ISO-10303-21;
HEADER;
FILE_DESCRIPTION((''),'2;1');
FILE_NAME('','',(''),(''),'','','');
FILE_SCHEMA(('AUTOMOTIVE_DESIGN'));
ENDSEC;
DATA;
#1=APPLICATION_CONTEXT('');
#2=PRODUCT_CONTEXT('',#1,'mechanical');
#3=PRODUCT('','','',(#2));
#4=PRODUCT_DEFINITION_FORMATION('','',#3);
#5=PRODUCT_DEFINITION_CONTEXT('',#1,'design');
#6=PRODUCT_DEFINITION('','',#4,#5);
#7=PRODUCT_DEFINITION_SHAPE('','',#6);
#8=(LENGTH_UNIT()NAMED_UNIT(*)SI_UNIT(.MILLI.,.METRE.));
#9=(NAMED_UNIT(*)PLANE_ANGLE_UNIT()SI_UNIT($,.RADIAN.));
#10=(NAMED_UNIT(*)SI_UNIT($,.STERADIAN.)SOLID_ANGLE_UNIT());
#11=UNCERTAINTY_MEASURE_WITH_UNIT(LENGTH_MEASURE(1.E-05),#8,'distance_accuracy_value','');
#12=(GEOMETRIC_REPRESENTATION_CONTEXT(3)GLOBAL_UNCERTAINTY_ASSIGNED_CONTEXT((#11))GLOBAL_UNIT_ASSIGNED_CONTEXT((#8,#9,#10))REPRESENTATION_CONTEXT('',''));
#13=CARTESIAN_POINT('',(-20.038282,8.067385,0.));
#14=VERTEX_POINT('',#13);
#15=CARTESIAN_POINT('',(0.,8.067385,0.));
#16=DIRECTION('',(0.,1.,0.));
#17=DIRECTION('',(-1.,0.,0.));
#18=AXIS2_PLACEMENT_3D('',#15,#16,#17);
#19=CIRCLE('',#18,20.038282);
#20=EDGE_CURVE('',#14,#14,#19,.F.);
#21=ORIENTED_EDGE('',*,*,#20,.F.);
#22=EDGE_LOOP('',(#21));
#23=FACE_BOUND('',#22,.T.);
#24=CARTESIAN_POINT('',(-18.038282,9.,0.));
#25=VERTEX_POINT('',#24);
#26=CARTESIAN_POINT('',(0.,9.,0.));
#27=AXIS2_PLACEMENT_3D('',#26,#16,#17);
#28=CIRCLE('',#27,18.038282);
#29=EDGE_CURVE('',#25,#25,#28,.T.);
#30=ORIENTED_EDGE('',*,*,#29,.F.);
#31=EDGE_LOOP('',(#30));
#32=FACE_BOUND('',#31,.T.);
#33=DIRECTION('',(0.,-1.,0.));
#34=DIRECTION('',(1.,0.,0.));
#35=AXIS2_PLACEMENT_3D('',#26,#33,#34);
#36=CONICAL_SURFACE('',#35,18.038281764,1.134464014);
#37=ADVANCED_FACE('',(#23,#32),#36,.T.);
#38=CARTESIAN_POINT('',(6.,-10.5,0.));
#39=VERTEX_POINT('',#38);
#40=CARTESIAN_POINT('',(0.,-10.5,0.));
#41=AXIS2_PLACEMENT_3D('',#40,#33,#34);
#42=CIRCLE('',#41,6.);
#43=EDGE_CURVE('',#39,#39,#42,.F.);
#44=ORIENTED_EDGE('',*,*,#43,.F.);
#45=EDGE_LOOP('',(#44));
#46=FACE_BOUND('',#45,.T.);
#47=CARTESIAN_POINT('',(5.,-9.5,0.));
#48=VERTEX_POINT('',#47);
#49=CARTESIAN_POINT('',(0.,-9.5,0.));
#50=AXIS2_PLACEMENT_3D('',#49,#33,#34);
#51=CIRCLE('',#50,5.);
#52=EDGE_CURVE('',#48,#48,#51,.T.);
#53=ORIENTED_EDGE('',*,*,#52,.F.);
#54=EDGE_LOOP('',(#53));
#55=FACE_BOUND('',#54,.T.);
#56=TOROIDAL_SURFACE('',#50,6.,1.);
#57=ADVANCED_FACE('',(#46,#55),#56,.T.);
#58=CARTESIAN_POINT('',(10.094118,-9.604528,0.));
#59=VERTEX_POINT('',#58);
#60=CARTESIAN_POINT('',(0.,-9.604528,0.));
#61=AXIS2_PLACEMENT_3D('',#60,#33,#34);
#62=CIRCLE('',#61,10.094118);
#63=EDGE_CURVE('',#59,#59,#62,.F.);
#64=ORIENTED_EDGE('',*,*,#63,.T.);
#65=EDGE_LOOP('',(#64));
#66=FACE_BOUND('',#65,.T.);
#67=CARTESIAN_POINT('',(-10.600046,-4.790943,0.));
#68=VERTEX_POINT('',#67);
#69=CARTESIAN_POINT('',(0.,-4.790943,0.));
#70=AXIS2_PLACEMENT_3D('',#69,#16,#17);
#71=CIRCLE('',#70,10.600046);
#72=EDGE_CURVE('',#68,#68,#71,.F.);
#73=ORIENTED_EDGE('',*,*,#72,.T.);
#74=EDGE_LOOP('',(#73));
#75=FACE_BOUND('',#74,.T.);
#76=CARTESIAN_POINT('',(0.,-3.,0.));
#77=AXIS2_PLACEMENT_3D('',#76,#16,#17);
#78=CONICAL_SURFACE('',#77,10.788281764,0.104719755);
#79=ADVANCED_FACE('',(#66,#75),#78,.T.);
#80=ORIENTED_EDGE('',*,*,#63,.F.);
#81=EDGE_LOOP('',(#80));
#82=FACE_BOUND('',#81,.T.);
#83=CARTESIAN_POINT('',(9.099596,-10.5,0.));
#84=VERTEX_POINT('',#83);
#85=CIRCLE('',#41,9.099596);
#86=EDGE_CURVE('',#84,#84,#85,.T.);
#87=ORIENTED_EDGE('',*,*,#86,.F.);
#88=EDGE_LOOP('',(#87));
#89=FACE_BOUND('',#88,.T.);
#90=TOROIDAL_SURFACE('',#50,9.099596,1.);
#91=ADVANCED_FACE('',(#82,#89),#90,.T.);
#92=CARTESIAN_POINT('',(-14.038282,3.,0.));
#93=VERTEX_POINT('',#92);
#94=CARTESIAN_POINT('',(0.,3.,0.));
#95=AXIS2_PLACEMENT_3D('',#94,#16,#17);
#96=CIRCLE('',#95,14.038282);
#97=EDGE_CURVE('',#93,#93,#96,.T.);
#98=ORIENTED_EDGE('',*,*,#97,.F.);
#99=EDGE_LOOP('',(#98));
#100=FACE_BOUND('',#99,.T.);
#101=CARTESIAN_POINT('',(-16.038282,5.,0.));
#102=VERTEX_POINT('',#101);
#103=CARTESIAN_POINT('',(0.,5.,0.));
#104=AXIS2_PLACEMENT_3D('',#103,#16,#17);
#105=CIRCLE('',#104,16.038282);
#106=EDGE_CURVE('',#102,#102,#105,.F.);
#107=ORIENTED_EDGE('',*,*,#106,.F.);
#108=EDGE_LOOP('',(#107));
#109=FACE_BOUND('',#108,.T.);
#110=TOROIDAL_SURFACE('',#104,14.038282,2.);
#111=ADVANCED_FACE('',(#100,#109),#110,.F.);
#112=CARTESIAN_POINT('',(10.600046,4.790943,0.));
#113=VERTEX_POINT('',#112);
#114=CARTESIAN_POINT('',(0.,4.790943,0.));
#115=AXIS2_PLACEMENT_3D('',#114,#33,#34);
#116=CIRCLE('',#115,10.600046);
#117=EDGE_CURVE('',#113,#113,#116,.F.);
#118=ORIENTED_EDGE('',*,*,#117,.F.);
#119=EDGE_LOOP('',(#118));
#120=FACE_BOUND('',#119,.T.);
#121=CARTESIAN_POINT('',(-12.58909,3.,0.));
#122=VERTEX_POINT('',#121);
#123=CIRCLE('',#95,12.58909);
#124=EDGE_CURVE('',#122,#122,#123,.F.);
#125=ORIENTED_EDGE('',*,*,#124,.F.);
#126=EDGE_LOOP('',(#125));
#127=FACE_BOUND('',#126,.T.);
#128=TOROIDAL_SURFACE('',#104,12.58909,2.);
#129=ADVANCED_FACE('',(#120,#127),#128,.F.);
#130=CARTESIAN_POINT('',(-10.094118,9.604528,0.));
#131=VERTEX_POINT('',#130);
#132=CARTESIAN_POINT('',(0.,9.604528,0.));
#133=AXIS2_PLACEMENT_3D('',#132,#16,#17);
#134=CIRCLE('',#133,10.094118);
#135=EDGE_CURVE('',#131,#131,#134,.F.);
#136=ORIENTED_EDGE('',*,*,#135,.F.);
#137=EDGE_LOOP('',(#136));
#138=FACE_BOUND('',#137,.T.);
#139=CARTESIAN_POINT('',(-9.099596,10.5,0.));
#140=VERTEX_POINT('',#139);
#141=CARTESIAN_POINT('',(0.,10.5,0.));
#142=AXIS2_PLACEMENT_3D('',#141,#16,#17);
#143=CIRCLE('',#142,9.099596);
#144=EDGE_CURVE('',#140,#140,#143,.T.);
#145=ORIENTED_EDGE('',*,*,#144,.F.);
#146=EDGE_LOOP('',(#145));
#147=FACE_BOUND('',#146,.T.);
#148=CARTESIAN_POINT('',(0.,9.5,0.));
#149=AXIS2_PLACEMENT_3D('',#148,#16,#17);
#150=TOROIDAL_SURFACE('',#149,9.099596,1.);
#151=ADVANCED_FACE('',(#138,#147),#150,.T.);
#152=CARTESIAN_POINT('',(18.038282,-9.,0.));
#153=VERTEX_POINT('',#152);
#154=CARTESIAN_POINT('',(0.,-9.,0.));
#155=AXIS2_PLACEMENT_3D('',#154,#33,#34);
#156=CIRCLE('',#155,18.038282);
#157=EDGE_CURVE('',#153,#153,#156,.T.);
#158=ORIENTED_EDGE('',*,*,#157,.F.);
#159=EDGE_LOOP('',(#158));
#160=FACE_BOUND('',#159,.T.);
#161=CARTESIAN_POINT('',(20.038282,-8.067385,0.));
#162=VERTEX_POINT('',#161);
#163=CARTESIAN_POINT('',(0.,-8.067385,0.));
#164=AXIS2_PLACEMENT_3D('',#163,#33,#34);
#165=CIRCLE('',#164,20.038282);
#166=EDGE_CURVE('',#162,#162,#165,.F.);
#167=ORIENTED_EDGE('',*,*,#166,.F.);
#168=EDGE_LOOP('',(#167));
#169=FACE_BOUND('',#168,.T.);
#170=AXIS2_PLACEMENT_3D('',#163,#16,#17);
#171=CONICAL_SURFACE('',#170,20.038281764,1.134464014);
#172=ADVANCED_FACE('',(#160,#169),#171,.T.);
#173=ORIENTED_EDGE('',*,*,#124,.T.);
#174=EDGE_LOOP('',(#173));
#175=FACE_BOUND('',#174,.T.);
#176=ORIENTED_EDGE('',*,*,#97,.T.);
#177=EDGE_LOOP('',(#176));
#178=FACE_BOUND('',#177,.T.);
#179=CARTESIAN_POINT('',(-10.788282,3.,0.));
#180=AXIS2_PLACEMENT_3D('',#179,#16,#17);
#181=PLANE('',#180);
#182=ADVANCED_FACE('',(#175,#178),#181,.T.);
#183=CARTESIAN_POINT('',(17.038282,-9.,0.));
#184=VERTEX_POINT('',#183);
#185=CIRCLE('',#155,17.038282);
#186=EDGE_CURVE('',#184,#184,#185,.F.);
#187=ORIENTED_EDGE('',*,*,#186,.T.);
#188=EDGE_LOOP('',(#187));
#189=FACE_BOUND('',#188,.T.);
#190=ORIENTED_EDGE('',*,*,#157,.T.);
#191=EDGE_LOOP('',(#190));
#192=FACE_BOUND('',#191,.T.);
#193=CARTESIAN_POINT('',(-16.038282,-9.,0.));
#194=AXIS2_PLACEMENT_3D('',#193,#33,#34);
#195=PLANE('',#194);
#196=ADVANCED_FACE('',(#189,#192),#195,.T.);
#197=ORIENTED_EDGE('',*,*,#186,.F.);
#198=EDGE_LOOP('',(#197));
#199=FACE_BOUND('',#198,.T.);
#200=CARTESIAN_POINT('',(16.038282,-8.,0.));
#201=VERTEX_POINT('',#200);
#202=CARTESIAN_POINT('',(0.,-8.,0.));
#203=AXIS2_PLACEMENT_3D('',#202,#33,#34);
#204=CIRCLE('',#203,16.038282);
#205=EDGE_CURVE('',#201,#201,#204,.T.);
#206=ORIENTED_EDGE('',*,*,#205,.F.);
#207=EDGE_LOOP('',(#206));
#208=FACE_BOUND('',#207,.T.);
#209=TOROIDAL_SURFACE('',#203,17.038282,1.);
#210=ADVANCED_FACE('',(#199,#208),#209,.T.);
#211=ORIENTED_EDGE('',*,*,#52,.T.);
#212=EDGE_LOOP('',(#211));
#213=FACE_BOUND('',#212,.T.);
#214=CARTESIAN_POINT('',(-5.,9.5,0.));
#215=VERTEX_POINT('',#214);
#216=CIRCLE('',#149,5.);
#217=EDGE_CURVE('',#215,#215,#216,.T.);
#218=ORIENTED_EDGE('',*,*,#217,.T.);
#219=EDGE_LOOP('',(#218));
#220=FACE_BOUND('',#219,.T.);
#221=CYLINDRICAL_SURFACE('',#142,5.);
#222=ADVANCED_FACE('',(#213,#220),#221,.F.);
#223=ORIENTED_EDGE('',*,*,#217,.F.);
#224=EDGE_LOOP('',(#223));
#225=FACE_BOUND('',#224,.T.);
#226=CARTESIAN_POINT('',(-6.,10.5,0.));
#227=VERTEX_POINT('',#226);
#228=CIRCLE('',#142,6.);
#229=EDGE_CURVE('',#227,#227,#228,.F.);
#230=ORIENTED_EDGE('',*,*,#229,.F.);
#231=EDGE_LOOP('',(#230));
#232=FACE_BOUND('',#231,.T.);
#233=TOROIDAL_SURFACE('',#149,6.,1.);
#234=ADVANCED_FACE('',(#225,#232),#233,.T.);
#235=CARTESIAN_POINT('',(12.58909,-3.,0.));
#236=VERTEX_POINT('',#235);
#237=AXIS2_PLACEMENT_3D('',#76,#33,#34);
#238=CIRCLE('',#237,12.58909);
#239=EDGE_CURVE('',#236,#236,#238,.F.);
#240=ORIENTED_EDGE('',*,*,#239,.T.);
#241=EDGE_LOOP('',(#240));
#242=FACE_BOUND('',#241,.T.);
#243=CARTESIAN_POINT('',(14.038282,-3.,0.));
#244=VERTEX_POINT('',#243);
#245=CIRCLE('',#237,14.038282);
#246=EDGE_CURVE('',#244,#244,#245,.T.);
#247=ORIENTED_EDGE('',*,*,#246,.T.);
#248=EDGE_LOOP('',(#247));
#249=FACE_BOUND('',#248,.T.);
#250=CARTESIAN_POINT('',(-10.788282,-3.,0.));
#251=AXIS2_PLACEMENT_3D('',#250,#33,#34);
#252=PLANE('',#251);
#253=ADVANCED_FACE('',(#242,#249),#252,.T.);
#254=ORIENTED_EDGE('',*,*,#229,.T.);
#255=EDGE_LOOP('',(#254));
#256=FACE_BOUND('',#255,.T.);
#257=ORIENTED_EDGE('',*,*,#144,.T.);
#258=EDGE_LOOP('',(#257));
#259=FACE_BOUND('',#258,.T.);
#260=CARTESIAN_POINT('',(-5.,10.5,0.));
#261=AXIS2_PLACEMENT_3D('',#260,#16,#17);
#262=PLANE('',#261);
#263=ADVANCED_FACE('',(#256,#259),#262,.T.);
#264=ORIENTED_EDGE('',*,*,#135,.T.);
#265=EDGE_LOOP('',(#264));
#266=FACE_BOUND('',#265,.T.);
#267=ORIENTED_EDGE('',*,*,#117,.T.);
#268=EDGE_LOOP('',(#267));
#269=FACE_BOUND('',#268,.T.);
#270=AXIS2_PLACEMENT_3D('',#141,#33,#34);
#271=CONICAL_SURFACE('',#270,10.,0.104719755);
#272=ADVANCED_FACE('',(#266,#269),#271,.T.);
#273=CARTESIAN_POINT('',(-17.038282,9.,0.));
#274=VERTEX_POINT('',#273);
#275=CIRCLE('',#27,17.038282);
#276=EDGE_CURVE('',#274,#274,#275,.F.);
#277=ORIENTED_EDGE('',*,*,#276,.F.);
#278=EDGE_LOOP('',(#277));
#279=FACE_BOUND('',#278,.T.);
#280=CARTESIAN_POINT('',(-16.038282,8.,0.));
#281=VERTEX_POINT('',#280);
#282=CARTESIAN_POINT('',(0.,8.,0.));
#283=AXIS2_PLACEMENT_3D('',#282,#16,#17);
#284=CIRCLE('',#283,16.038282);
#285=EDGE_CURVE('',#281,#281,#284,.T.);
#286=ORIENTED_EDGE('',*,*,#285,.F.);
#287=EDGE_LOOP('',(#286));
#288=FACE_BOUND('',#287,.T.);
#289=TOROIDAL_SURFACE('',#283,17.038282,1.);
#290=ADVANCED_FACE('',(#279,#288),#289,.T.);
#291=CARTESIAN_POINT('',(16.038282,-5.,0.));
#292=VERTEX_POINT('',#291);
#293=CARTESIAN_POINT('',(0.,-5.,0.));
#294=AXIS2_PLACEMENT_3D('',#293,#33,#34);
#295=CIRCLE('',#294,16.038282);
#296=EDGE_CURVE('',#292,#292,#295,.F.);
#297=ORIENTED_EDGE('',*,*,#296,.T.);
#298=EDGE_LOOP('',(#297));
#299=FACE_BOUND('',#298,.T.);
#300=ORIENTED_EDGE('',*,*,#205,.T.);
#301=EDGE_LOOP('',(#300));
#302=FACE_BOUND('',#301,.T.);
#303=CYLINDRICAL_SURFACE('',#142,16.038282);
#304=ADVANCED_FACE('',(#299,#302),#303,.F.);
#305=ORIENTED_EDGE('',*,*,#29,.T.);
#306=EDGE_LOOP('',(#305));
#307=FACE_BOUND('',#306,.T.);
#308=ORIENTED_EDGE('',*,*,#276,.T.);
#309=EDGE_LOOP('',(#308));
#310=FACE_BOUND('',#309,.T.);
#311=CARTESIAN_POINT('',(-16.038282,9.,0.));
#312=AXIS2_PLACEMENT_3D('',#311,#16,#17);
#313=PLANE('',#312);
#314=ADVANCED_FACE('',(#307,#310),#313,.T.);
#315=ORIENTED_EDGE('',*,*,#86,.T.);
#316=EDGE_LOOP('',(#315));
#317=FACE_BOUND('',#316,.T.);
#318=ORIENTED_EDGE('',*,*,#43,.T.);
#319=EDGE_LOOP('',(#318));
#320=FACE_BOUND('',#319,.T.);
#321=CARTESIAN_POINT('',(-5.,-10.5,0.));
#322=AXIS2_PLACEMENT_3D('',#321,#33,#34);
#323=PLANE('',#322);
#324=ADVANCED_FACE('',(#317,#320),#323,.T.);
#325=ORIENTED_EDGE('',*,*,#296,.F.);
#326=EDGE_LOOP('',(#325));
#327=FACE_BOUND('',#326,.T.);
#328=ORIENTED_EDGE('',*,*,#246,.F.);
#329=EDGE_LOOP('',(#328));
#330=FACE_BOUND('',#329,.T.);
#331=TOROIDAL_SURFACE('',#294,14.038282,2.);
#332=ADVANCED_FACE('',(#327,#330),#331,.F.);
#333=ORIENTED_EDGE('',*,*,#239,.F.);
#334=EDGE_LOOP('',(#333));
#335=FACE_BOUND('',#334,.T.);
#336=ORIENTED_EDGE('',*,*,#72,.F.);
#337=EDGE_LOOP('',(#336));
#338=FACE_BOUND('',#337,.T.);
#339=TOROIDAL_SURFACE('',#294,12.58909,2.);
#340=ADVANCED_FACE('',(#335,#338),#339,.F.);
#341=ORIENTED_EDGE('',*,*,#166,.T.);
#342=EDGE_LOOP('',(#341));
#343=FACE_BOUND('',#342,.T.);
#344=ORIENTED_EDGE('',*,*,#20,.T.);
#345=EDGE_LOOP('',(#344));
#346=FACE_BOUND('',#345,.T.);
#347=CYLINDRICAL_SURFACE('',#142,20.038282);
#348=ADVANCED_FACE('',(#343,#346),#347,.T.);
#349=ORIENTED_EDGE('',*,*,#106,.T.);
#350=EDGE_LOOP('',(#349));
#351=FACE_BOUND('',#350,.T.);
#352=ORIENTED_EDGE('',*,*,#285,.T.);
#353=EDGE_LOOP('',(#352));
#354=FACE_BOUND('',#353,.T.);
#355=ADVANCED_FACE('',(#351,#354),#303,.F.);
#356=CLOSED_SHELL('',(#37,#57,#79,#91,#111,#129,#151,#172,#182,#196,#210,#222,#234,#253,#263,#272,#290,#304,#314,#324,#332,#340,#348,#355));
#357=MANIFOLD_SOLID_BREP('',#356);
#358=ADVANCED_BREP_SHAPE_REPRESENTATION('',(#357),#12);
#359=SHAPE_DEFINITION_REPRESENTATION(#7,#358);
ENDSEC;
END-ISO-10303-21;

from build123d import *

# Parameters (mm, degrees)
FILLET1_R      = 2
FILLET2_R      = 1
CHAMFER1_SIZE  = 2
CHAMFER1_SIZE2 = 0.932615316
CHAMFER2_SIZE  = 2
CHAMFER2_SIZE2 = 0.932615316


with BuildPart() as part:
    # Sketch1 → Revolve1 (revolve)
    with BuildSketch(Plane.XY):
        Polygon((-5, 10.5), (-10, 10.5), (-10.788281764, 3), (-16.038281764, 3), (-16.038281764, 9), (-20.038281764, 9), (-20.038281764, -9), (-16.038281764, -9), (-16.038281764, -3), (-10.788281764, -3), (-10, -10.5), (-5, -10.5), align=None)
    revolve(axis=Axis((0, 10.5, 0), (0, -1, 0)))

    # Fillet1
    fillet1_edges = [part.edges().sort_by_distance(p)[0] for p in [
        (16.038281764, -3, 0),
        (10.788281764, -3, 0),
        (10.788281764, 3, 0),
        (16.038281764, 3, 0),
    ]]
    fillet(fillet1_edges, radius=FILLET1_R)

    # Fillet2
    fillet2_edges = [part.edges().sort_by_distance(p)[0] for p in [
        (16.038281764, 9, 0),
        (16.038281764, -9, 0),
        (10, -10.5, 0),
        (5, -10.5, 0),
        (5, 10.5, 0),
        (10, 10.5, 0),
    ]]
    fillet(fillet2_edges, radius=FILLET2_R)

    # Chamfer1
    chamfer1_edges = [part.edges().sort_by_distance(p)[0] for p in [
        (20.038281764, -9, 0),
    ]]
    chamfer1_side = [part.faces().sort_by_distance(p)[0] for p in [
        (17.605049961, -9, 0),
    ]]
    chamfer(chamfer1_edges, length=CHAMFER1_SIZE, length2=CHAMFER1_SIZE2, reference=chamfer1_side[0])

    # Chamfer2
    chamfer2_edges = [part.edges().sort_by_distance(p)[0] for p in [
        (20.038281764, 9, 0),
    ]]
    chamfer2_side = [part.faces().sort_by_distance(p)[0] for p in [
        (17.605049961, 9, 0),
    ]]
    chamfer(chamfer2_edges, length=CHAMFER2_SIZE, length2=CHAMFER2_SIZE2, reference=chamfer2_side[0])


solid = part.part
